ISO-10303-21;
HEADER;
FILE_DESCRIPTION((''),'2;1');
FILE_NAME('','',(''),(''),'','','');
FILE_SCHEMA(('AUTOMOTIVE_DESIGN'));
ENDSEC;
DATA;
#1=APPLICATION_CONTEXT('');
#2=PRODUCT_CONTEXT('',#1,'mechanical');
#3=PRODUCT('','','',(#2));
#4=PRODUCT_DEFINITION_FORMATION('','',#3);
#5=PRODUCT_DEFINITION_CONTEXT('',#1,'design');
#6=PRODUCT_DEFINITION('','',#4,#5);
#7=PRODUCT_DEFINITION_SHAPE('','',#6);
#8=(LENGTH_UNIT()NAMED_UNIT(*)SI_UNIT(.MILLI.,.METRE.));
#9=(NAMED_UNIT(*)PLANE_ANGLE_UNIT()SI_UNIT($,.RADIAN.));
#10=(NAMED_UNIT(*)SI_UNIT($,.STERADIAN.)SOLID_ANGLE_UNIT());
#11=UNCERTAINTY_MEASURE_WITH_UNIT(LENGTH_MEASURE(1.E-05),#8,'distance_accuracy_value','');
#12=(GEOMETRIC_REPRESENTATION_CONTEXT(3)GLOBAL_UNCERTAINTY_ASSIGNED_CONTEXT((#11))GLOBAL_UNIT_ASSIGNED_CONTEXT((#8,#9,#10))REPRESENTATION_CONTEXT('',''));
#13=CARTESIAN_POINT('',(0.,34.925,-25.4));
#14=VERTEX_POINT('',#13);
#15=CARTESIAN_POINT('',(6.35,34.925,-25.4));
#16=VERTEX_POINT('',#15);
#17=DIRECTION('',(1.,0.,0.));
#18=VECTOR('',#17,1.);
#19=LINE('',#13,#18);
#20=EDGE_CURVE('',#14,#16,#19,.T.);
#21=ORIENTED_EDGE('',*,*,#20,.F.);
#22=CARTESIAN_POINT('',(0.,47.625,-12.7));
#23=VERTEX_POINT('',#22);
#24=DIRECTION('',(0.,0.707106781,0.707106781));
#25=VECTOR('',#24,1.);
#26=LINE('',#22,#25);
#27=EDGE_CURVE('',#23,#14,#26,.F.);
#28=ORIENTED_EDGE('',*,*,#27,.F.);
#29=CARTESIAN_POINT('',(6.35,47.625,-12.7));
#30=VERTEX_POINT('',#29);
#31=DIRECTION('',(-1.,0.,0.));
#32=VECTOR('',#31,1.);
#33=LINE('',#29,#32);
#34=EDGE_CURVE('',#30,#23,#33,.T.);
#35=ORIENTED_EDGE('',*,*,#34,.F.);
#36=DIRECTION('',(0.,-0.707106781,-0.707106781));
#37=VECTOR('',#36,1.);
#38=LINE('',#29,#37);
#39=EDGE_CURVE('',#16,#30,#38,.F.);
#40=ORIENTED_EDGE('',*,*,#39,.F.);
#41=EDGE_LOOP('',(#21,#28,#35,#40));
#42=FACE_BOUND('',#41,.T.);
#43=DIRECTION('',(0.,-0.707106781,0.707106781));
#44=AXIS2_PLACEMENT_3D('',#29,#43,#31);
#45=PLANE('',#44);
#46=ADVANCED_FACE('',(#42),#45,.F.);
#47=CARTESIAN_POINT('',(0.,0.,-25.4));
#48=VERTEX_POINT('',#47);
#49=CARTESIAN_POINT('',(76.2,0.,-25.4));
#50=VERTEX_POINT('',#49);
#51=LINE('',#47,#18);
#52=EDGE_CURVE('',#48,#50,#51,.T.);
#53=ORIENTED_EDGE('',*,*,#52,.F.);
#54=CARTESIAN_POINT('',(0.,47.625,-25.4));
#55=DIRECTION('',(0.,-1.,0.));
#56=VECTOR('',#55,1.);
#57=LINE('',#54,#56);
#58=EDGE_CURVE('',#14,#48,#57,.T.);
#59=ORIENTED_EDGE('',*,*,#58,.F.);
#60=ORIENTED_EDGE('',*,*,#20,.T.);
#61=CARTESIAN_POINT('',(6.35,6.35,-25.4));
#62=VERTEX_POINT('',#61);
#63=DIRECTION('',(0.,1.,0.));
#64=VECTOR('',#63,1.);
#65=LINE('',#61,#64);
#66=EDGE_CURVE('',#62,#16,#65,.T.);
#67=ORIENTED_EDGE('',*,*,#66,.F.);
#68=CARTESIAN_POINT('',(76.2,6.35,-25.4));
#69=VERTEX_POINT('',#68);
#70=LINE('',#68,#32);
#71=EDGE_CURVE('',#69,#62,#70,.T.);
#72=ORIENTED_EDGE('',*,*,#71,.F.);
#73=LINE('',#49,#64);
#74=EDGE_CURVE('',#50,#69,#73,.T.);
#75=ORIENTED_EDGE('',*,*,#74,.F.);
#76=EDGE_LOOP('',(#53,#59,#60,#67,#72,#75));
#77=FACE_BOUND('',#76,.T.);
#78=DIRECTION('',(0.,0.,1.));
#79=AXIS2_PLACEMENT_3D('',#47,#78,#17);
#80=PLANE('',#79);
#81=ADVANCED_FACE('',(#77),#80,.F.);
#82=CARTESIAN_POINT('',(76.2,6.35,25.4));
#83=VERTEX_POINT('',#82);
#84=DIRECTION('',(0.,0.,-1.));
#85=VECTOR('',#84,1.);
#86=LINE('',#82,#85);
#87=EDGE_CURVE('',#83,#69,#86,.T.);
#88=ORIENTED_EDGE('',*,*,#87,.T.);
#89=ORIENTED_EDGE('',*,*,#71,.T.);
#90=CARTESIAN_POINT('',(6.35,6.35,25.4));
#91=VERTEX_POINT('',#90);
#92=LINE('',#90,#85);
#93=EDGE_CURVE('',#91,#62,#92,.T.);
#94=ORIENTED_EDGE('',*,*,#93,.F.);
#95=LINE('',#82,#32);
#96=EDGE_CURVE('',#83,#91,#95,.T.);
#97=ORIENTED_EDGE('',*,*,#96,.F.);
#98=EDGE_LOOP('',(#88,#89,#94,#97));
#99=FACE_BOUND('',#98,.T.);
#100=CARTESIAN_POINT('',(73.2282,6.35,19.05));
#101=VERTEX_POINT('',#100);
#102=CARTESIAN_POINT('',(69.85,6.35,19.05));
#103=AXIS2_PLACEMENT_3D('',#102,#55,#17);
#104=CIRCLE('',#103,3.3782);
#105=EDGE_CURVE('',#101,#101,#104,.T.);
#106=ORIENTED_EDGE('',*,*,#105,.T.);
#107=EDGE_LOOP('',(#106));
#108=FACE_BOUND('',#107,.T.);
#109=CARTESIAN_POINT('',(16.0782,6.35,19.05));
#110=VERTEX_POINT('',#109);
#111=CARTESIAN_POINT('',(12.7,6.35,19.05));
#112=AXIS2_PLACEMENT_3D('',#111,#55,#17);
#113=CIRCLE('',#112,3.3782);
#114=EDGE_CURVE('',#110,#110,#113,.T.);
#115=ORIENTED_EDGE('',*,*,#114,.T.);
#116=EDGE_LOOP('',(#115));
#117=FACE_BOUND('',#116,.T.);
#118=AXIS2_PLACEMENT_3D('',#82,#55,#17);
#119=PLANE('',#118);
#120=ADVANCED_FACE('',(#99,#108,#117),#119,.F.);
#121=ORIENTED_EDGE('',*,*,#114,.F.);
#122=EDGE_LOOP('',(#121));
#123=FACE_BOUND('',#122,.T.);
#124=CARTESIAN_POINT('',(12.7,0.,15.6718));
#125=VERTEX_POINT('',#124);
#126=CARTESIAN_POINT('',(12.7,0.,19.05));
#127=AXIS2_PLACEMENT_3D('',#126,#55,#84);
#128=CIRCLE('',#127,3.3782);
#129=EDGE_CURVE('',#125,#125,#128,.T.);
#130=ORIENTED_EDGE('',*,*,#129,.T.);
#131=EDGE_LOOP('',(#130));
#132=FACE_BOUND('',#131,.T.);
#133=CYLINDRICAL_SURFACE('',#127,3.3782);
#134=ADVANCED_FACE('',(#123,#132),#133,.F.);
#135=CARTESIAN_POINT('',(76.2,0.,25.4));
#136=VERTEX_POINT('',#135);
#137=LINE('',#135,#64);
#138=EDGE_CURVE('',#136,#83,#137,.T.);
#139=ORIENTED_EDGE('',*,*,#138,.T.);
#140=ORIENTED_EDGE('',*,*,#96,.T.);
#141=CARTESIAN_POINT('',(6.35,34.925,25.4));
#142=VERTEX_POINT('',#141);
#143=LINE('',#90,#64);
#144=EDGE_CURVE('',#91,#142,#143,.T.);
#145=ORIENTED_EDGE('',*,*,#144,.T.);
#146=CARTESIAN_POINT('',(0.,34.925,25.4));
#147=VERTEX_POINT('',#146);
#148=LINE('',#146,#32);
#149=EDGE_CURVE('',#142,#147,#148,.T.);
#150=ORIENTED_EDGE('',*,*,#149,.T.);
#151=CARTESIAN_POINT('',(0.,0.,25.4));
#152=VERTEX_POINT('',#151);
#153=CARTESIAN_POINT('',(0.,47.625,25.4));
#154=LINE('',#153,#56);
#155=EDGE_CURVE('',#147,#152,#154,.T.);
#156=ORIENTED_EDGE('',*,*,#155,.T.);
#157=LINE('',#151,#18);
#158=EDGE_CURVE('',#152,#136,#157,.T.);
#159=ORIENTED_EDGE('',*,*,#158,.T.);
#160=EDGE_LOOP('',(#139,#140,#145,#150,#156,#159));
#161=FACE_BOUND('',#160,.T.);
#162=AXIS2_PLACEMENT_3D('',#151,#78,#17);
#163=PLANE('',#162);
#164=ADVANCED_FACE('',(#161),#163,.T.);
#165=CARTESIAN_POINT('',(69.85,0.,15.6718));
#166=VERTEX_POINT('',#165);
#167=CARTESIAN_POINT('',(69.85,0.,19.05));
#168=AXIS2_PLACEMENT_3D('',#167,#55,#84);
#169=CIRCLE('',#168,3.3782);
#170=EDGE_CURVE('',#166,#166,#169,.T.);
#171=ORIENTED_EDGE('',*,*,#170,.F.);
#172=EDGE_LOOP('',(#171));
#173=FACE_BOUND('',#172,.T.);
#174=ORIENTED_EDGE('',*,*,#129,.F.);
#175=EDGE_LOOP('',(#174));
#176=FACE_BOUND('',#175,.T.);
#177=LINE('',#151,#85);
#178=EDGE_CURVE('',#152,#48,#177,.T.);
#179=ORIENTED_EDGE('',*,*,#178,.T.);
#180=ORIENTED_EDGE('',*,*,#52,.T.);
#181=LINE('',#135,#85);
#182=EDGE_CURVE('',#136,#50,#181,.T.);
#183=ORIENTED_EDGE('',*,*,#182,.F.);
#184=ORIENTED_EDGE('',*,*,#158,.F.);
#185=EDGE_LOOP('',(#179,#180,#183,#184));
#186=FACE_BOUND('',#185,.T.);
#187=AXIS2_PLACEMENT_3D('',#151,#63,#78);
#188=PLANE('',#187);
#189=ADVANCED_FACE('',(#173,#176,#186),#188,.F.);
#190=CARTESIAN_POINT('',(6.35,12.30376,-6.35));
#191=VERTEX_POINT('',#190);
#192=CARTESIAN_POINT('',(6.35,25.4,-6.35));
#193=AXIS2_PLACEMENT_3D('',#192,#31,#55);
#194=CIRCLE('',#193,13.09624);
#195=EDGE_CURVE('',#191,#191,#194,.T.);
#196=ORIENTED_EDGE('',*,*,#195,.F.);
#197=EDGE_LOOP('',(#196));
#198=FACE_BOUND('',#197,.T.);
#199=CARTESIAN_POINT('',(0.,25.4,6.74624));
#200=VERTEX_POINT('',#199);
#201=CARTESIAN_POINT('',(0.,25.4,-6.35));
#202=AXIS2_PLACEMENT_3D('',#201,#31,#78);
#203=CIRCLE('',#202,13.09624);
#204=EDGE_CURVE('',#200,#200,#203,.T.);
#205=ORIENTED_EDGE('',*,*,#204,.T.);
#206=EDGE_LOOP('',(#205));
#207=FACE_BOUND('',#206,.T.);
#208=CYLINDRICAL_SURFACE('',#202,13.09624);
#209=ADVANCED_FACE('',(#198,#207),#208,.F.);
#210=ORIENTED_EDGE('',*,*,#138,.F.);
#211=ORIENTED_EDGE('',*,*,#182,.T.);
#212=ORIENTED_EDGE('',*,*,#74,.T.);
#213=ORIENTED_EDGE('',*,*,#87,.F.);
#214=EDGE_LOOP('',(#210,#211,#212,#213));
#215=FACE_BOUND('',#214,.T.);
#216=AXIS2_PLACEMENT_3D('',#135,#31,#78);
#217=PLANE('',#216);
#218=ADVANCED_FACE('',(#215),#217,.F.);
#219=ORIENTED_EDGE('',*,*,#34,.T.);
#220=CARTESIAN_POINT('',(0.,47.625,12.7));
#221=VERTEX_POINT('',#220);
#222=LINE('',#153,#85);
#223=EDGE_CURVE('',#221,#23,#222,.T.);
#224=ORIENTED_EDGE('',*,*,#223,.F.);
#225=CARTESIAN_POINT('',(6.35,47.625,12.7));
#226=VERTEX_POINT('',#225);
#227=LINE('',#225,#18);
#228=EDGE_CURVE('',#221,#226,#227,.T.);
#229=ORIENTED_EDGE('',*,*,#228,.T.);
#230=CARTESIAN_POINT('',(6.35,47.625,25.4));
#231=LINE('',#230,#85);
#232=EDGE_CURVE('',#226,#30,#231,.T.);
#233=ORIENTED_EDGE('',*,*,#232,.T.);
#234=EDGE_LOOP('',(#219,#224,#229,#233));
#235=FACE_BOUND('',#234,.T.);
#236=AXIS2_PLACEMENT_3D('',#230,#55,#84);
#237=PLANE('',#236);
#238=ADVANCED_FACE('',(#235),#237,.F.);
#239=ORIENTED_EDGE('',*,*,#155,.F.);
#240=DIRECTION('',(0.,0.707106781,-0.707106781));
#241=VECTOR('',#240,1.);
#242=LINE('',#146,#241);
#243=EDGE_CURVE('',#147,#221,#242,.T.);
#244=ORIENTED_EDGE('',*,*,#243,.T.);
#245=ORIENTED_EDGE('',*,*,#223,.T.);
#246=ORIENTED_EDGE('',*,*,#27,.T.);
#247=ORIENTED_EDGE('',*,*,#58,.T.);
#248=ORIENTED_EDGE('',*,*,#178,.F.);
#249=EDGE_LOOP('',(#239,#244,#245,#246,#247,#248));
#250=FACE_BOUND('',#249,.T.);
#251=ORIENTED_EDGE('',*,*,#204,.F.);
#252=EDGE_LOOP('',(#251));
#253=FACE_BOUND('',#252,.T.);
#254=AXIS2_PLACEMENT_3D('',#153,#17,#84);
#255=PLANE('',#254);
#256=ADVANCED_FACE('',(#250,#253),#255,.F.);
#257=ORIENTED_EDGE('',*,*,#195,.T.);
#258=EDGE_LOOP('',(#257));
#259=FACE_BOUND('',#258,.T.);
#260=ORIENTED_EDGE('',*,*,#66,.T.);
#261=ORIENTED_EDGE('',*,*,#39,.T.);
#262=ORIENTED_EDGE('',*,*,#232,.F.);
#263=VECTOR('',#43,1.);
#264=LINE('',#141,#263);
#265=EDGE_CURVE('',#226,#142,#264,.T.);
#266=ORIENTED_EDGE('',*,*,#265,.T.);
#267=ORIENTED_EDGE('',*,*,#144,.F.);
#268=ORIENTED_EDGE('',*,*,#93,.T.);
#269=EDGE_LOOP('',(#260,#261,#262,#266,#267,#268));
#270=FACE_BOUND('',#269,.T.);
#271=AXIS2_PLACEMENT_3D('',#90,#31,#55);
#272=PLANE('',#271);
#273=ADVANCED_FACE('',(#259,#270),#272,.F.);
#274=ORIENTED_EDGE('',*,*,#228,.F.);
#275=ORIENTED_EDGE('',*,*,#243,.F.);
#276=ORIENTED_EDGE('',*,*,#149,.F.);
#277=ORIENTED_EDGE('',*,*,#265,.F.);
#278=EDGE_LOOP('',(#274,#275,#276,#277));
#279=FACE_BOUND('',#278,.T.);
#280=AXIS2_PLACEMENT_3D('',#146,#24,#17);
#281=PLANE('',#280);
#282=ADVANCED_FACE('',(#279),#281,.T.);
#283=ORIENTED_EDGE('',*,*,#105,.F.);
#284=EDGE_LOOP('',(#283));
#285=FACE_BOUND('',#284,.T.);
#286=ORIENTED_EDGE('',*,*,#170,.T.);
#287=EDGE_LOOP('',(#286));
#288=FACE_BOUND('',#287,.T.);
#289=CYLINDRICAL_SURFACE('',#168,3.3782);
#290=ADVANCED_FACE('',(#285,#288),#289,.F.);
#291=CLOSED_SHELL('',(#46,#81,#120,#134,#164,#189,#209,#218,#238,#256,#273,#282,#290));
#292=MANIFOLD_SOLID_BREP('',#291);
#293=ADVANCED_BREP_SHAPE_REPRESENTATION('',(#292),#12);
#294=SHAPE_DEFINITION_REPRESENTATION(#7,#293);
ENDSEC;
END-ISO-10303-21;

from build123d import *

# Parameters (mm, degrees)
BOSS_EXTRUDE1_DEPTH     = 25.4
F_1_4_CLEARANCE_HOLE1_D = 6.7564
F_1_CLEARANCE_HOLE1_D   = 26.19248
CHAMFER1_SIZE           = 12.7


with BuildPart() as part:
    # Sketch1 → Boss-Extrude1 (new, symmetric)
    with BuildSketch(Plane.XY):
        Polygon((0, 0), (76.2, 0), (76.2, 6.35), (6.35, 6.35), (6.35, 47.625), (0, 47.625), align=None)
    extrude(amount=BOSS_EXTRUDE1_DEPTH, both=True)

    # 1/4 Clearance Hole1 (through all)
    with Locations(Plane(origin=(0, 0, 0), x_dir=(-1, 0, 0), z_dir=(0, -1, 0))):
        with Locations((-12.7, -19.05), (-69.85, -19.05)):
            Hole(F_1_4_CLEARANCE_HOLE1_D / 2)

    # 1 Clearance Hole1 (through all)
    with Locations(Plane.ZY):
        with Locations((-6.35, 25.4)):
            Hole(F_1_CLEARANCE_HOLE1_D / 2)

    # Chamfer1
    chamfer1_edges = [part.edges().sort_by_distance(p)[0] for p in [
        (3.175, 47.625, 25.4),
        (3.175, 47.625, -25.4),
    ]]
    chamfer(chamfer1_edges, length=CHAMFER1_SIZE)


solid = part.part
